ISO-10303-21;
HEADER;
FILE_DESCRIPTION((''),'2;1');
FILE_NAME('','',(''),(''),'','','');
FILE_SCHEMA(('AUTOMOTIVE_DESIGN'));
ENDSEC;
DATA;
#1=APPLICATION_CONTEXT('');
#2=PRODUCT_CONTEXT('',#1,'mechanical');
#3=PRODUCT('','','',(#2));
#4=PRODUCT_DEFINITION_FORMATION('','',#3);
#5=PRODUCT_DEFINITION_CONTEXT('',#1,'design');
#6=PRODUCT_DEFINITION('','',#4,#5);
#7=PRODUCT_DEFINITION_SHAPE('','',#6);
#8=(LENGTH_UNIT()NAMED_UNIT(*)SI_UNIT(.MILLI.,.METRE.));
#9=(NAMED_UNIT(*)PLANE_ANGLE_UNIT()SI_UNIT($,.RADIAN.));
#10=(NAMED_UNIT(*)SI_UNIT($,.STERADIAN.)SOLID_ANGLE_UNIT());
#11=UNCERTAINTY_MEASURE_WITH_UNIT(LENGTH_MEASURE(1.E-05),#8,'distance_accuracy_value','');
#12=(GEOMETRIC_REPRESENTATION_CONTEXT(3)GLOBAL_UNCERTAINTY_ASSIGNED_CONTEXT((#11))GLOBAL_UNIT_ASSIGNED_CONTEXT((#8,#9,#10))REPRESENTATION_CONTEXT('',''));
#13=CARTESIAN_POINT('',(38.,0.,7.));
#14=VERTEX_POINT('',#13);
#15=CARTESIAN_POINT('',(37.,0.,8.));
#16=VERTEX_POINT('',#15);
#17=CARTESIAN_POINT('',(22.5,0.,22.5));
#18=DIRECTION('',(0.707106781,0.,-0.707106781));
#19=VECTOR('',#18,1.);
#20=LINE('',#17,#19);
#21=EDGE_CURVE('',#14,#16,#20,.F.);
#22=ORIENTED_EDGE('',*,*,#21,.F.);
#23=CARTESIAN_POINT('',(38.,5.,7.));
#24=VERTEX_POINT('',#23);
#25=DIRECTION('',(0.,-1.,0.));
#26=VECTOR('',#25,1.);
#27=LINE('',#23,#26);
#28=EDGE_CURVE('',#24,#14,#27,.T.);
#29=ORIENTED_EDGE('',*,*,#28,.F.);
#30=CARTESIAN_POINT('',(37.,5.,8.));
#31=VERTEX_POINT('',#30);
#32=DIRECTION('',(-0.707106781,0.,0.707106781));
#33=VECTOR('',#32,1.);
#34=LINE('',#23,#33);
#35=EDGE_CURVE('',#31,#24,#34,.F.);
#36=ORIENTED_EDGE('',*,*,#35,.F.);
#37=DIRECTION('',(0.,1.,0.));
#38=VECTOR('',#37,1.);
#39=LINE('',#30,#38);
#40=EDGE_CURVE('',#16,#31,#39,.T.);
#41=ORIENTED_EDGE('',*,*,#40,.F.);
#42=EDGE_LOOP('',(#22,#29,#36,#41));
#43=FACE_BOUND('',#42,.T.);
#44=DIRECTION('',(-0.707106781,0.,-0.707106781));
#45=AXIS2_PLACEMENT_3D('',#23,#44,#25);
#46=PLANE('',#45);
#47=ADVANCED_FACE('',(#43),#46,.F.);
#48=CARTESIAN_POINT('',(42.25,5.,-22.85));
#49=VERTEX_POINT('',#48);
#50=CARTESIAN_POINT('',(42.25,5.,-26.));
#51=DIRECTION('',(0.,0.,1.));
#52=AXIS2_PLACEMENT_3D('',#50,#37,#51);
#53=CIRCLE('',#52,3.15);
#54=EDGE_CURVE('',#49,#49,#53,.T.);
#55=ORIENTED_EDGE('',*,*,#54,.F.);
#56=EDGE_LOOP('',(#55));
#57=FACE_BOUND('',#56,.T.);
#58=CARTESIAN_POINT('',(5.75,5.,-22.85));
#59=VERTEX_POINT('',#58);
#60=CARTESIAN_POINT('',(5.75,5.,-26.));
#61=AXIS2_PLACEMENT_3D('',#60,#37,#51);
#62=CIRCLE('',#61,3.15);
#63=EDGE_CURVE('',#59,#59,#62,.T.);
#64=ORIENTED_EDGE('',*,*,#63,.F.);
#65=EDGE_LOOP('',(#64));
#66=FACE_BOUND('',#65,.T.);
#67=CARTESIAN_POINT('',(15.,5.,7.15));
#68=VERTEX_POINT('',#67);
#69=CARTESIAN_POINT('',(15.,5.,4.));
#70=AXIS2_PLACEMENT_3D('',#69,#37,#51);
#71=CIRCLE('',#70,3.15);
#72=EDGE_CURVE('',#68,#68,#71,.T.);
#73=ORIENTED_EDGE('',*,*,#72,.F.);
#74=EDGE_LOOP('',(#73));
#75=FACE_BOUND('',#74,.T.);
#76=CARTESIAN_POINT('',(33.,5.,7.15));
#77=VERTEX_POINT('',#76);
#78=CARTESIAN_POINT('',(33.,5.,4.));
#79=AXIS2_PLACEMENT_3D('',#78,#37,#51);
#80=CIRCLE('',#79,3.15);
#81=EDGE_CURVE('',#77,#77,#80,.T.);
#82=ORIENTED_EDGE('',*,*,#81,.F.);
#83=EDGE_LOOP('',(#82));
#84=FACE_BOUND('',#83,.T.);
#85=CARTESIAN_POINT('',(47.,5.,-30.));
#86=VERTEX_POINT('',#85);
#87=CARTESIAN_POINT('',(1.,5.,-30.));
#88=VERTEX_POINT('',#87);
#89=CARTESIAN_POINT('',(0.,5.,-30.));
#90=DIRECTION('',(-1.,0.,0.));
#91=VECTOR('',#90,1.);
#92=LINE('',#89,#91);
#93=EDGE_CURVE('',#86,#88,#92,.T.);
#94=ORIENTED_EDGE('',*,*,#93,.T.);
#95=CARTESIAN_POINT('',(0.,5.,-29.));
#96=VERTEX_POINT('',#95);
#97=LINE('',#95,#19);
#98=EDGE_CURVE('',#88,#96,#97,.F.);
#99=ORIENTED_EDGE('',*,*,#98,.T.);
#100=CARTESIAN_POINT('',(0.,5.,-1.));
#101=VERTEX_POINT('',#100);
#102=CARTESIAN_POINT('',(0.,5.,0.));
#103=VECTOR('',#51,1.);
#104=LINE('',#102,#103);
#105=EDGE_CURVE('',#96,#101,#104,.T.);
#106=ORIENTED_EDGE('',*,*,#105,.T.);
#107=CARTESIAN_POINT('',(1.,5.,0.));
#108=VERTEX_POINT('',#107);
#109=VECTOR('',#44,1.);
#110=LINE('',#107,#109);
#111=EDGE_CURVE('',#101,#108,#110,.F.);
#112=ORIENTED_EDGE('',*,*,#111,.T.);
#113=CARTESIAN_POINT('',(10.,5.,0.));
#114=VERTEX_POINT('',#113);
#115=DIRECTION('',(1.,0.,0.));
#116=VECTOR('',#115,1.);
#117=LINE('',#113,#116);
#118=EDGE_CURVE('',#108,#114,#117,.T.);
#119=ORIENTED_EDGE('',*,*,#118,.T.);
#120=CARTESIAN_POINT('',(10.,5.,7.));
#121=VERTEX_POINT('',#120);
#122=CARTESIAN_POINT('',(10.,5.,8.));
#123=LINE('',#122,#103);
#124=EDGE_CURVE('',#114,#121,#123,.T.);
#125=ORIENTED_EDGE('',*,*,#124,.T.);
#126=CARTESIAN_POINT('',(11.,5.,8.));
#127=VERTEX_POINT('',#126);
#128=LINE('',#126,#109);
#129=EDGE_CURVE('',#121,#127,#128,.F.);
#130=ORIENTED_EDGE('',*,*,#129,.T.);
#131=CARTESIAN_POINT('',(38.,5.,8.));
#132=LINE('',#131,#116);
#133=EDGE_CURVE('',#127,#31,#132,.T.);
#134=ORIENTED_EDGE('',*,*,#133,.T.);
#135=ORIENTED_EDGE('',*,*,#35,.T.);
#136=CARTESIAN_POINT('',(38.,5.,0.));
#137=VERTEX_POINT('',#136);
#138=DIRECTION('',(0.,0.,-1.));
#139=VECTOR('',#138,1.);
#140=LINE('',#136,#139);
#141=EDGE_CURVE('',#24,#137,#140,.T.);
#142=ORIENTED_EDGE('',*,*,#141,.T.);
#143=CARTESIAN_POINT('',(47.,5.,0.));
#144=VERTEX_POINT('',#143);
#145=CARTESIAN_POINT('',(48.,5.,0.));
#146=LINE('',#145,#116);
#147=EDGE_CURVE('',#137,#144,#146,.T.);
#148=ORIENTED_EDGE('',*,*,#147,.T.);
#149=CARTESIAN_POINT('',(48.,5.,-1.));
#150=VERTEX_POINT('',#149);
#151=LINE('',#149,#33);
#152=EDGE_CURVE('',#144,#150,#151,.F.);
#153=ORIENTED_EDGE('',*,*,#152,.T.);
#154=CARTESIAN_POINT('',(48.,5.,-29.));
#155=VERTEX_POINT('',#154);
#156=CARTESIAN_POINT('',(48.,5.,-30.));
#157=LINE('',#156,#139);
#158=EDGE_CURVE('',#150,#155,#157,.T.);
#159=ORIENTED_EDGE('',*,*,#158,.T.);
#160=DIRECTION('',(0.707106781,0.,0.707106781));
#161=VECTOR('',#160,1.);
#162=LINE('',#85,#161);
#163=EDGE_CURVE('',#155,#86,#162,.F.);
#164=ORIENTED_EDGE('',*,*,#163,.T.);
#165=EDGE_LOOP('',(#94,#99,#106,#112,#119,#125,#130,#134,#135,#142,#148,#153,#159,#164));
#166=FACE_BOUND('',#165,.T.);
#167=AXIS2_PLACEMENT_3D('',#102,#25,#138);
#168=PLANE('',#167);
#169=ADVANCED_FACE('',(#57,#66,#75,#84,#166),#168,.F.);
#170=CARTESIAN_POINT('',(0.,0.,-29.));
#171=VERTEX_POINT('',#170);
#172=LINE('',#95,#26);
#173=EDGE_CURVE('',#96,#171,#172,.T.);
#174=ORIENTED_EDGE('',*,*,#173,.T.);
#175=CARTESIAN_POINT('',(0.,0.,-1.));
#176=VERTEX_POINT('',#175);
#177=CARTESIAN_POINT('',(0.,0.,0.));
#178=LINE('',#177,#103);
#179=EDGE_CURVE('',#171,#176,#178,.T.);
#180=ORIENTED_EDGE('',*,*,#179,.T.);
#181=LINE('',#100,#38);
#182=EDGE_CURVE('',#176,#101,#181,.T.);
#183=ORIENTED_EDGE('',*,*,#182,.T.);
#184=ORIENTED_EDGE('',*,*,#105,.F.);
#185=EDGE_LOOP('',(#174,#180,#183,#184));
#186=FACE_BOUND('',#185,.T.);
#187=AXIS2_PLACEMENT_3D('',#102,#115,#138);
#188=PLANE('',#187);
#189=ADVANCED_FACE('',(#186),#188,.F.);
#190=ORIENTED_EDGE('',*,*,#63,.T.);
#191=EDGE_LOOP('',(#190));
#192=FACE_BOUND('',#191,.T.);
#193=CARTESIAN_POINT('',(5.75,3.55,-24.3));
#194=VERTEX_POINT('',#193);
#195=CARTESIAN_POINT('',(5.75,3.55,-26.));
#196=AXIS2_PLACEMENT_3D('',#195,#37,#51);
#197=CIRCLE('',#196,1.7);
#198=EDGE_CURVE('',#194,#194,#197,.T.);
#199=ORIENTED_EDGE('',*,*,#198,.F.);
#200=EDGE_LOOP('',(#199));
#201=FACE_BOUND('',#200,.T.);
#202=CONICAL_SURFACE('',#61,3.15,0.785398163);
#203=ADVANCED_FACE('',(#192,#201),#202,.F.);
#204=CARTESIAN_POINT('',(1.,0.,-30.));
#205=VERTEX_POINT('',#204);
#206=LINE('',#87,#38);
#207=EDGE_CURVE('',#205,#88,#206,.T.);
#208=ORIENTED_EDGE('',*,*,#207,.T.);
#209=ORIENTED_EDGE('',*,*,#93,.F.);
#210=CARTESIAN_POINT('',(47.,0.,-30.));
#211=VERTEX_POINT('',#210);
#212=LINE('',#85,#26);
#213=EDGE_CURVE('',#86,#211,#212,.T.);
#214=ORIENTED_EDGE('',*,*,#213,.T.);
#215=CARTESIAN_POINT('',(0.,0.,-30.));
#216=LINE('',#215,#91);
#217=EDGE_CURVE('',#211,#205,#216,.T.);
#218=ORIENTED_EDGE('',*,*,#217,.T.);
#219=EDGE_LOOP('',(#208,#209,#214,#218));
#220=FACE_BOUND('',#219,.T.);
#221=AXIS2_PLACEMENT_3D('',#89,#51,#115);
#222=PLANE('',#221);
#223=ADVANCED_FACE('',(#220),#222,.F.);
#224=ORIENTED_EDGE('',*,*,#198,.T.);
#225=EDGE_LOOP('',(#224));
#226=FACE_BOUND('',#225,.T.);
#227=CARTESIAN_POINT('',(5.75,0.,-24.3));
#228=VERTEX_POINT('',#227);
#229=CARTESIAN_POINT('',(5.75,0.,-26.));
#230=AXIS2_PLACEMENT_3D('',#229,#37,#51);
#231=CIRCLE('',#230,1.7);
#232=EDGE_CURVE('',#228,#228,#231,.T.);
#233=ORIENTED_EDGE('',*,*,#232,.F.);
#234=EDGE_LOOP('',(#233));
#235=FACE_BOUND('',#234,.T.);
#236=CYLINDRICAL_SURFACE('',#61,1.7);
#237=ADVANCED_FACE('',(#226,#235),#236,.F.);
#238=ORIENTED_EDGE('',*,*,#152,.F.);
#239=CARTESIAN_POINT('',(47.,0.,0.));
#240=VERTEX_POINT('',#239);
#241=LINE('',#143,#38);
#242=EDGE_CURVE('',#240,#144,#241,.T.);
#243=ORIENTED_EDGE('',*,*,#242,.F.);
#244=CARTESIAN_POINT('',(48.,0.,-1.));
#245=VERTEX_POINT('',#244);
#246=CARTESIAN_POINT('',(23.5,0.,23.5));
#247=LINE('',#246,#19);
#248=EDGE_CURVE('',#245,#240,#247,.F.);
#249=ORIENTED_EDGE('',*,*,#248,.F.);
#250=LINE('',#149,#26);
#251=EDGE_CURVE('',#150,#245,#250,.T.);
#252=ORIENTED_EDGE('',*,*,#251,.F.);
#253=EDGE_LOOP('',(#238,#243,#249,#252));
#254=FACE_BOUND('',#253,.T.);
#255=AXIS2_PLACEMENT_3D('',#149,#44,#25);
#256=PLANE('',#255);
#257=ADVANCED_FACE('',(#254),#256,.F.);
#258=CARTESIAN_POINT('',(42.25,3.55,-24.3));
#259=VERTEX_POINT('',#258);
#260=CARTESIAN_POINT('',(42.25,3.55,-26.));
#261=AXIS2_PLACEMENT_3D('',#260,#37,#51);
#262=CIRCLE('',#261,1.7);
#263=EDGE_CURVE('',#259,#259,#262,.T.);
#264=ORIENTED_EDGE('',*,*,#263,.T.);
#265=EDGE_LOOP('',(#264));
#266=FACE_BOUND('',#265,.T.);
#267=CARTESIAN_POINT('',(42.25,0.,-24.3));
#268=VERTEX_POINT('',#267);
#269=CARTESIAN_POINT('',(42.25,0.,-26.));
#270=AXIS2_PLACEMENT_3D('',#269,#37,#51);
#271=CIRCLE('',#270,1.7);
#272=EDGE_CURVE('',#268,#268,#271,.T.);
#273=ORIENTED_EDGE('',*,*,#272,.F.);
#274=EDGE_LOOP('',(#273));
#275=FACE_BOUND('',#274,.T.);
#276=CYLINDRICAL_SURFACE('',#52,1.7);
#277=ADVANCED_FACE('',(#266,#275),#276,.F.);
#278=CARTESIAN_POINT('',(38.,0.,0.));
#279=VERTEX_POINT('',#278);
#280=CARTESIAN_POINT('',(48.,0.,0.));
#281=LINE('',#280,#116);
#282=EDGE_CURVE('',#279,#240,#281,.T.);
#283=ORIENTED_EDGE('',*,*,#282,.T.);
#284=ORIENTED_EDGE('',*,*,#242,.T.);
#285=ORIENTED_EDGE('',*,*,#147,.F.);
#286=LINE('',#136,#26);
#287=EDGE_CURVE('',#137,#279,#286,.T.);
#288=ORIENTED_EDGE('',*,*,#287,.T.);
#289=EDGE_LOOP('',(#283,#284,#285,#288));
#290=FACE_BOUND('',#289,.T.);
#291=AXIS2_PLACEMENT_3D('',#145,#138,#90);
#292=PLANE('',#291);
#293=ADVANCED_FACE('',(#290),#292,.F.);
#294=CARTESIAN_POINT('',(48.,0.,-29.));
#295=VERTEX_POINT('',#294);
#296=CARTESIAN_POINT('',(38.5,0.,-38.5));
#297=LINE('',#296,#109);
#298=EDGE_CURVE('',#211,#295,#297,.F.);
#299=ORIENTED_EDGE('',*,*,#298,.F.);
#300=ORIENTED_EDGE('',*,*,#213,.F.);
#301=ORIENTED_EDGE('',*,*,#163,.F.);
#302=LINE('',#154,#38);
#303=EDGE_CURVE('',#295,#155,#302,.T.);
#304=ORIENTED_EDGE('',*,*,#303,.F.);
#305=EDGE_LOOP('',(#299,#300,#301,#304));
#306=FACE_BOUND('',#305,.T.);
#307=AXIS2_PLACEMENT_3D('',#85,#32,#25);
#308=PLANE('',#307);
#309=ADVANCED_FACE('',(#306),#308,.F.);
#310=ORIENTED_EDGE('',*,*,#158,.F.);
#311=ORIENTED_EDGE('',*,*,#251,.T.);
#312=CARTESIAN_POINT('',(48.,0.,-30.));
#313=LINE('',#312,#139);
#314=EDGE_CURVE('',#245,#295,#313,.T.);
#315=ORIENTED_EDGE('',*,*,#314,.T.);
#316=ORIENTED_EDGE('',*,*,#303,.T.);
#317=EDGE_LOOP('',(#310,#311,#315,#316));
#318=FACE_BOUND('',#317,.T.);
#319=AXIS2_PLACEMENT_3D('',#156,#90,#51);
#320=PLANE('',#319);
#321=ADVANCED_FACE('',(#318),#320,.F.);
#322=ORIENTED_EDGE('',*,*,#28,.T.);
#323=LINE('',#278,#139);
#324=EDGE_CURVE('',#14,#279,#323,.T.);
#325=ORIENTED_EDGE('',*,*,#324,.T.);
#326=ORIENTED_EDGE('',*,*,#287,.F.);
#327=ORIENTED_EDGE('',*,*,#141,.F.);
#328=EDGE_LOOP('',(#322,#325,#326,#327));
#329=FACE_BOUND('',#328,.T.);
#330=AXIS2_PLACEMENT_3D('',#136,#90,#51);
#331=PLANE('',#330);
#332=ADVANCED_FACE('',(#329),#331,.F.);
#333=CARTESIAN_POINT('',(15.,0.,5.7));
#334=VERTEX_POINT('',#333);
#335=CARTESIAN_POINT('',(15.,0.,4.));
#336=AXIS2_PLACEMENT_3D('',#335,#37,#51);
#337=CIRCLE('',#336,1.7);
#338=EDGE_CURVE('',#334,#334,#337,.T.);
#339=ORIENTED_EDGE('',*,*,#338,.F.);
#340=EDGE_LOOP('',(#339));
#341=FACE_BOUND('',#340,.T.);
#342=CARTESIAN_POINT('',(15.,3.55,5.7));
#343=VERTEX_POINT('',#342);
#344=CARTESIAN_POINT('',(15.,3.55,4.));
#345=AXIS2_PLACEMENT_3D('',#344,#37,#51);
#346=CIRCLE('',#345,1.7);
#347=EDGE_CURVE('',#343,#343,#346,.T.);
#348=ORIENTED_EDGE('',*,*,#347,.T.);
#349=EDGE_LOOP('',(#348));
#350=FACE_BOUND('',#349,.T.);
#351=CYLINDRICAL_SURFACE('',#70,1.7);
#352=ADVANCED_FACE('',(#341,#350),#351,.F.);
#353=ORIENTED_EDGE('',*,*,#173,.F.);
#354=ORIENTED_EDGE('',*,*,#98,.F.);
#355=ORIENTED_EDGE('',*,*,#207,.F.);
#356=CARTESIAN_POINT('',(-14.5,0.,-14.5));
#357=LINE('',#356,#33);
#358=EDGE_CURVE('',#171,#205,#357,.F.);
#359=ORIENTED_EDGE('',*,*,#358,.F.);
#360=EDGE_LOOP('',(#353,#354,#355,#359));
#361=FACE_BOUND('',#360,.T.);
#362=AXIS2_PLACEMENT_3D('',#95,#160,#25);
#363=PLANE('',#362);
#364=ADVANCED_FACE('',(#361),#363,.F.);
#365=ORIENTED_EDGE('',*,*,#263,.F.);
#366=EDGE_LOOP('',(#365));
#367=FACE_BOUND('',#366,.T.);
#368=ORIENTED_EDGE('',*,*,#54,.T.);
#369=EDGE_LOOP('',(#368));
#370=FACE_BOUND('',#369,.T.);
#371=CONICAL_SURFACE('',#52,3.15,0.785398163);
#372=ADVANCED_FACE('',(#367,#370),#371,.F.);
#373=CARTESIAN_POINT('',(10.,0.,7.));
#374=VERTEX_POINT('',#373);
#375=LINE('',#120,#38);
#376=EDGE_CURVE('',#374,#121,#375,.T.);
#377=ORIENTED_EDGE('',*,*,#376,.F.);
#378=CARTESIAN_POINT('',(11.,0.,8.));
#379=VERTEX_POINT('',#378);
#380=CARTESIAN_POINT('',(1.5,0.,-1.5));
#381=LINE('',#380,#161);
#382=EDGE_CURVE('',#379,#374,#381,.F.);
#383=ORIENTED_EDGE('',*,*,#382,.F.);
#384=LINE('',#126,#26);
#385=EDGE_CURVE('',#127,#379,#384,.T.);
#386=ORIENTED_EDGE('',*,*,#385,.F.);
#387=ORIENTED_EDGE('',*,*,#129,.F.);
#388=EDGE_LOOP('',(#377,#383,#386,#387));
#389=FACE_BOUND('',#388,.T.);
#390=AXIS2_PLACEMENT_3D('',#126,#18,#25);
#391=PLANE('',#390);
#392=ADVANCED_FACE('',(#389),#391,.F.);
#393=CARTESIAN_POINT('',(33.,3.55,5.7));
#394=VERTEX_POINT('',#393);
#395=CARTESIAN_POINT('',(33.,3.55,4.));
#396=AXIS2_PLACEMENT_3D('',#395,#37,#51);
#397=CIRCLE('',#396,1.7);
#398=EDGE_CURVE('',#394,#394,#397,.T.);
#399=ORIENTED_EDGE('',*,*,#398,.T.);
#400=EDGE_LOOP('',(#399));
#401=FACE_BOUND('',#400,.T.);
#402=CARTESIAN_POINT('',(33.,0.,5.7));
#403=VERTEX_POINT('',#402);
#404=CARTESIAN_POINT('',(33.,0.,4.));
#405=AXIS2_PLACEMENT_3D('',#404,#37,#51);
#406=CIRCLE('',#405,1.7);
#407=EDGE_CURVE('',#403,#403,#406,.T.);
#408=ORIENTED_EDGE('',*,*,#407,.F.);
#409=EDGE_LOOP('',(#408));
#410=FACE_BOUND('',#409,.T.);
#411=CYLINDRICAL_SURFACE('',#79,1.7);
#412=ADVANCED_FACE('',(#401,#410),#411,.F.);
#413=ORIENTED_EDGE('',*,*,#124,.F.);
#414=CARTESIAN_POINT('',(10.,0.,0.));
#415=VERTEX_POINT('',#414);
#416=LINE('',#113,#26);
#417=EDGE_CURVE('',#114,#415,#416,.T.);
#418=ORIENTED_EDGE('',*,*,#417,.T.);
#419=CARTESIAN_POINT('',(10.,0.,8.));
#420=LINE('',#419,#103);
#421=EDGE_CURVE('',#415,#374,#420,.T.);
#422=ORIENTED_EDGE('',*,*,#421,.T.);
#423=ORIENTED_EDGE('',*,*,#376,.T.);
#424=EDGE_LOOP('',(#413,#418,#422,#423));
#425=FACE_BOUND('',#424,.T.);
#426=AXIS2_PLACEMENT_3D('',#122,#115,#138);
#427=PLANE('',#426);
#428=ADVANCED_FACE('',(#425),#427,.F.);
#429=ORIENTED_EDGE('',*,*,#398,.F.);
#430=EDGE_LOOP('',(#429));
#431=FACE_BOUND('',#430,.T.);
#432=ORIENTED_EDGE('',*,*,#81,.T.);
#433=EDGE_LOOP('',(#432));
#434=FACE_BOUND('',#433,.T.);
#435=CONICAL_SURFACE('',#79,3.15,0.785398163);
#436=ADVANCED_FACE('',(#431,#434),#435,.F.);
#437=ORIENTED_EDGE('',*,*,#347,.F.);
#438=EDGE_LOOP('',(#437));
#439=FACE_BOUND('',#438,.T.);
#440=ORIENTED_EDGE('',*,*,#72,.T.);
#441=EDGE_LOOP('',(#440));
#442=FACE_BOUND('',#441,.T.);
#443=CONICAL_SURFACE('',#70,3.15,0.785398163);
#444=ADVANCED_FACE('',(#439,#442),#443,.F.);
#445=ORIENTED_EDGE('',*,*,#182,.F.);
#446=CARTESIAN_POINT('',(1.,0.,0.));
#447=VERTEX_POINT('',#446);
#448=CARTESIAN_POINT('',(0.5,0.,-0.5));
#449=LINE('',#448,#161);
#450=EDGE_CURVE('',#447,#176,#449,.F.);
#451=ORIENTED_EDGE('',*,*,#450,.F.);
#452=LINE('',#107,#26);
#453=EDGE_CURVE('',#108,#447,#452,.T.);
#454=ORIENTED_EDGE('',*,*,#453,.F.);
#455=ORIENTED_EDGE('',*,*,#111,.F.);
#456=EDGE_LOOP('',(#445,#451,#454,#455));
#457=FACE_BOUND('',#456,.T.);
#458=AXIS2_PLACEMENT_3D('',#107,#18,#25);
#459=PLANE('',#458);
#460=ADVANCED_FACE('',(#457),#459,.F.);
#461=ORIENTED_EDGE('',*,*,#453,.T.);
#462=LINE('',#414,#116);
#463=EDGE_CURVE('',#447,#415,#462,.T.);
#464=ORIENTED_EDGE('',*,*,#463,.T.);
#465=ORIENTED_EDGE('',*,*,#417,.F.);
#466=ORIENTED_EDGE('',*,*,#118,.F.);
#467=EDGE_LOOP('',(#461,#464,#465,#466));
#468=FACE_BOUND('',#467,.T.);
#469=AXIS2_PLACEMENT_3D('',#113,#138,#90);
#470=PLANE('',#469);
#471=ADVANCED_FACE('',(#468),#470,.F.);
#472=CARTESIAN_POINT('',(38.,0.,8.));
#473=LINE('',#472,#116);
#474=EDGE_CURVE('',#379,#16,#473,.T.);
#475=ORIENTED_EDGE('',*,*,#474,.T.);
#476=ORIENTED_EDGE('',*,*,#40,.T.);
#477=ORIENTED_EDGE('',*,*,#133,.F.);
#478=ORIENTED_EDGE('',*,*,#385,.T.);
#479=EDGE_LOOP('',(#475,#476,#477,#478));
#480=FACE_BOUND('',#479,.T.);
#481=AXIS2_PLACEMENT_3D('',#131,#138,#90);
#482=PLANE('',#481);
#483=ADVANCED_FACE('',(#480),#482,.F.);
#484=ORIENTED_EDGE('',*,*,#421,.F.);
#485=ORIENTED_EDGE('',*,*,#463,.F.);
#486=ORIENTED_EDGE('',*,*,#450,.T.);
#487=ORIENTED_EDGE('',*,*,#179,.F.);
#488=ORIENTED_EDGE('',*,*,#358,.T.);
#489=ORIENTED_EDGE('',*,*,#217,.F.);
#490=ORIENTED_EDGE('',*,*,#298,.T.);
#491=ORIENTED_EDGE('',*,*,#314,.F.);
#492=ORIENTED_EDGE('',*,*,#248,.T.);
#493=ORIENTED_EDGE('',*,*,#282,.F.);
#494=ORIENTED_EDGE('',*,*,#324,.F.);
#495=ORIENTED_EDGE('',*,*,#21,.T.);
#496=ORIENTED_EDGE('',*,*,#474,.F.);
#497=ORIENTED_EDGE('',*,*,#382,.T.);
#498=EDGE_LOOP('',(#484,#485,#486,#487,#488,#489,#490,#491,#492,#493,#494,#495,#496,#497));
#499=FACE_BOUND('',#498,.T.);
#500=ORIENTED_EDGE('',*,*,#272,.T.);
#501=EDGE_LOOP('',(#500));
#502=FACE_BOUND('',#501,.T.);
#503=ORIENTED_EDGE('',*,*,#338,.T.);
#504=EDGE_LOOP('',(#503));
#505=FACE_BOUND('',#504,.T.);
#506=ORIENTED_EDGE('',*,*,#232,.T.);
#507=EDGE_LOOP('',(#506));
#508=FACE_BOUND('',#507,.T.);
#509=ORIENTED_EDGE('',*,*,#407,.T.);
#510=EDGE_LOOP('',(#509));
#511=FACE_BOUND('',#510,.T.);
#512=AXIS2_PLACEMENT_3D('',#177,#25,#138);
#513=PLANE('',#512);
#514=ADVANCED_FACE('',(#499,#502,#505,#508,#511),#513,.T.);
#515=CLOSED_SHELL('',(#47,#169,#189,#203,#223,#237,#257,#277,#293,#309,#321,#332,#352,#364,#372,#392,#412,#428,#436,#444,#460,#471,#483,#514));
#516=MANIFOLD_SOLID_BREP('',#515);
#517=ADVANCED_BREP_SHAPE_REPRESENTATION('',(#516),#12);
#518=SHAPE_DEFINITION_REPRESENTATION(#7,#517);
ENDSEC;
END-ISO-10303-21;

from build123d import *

# Parameters (mm, degrees)
BOSS_EXTRUDE1_DEPTH                                 = 5
CSK_FOR_M3_FLAT_COUNTERSUNK_HEAD_SCREW1_D           = 3.4
CSK_FOR_M3_FLAT_COUNTERSUNK_HEAD_SCREW1_CSINK_D     = 6.3
CSK_FOR_M3_FLAT_COUNTERSUNK_HEAD_SCREW1_CSINK_ANGLE = 90
CHAMFER1_SIZE                                       = 1


with BuildPart() as part:
    # Sketch1 → Boss-Extrude1 (new body)
    with BuildSketch(Plane(origin=(0, 0, 0), x_dir=(1, 0, 0), z_dir=(0, 1, 0))):
        Polygon((0, 0), (0, 30), (48, 30), (48, 0), (38, 0), (38, -8), (10, -8), (10, 0), align=None)
    extrude(amount=BOSS_EXTRUDE1_DEPTH)

    # CSK for M3 Flat Countersunk Head Screw1 (through all)
    with Locations(Plane(origin=(0, 5, 0), x_dir=(1, 0, 0), z_dir=(0, 1, 0))):
        with Locations((5.75, 26), (42.25, 26), (15, -4), (33, -4)):
            CounterSinkHole(CSK_FOR_M3_FLAT_COUNTERSUNK_HEAD_SCREW1_D / 2, CSK_FOR_M3_FLAT_COUNTERSUNK_HEAD_SCREW1_CSINK_D / 2, counter_sink_angle=CSK_FOR_M3_FLAT_COUNTERSUNK_HEAD_SCREW1_CSINK_ANGLE)

    # Chamfer1
    chamfer1_edges = [part.edges().sort_by_distance(p)[0] for p in [
        (0, 2.5, 0),
        (0, 2.5, -30),
        (48, 2.5, -30),
        (48, 2.5, 0),
        (38, 2.5, 8),
        (10, 2.5, 8),
    ]]
    chamfer(chamfer1_edges, length=CHAMFER1_SIZE)


solid = part.part
